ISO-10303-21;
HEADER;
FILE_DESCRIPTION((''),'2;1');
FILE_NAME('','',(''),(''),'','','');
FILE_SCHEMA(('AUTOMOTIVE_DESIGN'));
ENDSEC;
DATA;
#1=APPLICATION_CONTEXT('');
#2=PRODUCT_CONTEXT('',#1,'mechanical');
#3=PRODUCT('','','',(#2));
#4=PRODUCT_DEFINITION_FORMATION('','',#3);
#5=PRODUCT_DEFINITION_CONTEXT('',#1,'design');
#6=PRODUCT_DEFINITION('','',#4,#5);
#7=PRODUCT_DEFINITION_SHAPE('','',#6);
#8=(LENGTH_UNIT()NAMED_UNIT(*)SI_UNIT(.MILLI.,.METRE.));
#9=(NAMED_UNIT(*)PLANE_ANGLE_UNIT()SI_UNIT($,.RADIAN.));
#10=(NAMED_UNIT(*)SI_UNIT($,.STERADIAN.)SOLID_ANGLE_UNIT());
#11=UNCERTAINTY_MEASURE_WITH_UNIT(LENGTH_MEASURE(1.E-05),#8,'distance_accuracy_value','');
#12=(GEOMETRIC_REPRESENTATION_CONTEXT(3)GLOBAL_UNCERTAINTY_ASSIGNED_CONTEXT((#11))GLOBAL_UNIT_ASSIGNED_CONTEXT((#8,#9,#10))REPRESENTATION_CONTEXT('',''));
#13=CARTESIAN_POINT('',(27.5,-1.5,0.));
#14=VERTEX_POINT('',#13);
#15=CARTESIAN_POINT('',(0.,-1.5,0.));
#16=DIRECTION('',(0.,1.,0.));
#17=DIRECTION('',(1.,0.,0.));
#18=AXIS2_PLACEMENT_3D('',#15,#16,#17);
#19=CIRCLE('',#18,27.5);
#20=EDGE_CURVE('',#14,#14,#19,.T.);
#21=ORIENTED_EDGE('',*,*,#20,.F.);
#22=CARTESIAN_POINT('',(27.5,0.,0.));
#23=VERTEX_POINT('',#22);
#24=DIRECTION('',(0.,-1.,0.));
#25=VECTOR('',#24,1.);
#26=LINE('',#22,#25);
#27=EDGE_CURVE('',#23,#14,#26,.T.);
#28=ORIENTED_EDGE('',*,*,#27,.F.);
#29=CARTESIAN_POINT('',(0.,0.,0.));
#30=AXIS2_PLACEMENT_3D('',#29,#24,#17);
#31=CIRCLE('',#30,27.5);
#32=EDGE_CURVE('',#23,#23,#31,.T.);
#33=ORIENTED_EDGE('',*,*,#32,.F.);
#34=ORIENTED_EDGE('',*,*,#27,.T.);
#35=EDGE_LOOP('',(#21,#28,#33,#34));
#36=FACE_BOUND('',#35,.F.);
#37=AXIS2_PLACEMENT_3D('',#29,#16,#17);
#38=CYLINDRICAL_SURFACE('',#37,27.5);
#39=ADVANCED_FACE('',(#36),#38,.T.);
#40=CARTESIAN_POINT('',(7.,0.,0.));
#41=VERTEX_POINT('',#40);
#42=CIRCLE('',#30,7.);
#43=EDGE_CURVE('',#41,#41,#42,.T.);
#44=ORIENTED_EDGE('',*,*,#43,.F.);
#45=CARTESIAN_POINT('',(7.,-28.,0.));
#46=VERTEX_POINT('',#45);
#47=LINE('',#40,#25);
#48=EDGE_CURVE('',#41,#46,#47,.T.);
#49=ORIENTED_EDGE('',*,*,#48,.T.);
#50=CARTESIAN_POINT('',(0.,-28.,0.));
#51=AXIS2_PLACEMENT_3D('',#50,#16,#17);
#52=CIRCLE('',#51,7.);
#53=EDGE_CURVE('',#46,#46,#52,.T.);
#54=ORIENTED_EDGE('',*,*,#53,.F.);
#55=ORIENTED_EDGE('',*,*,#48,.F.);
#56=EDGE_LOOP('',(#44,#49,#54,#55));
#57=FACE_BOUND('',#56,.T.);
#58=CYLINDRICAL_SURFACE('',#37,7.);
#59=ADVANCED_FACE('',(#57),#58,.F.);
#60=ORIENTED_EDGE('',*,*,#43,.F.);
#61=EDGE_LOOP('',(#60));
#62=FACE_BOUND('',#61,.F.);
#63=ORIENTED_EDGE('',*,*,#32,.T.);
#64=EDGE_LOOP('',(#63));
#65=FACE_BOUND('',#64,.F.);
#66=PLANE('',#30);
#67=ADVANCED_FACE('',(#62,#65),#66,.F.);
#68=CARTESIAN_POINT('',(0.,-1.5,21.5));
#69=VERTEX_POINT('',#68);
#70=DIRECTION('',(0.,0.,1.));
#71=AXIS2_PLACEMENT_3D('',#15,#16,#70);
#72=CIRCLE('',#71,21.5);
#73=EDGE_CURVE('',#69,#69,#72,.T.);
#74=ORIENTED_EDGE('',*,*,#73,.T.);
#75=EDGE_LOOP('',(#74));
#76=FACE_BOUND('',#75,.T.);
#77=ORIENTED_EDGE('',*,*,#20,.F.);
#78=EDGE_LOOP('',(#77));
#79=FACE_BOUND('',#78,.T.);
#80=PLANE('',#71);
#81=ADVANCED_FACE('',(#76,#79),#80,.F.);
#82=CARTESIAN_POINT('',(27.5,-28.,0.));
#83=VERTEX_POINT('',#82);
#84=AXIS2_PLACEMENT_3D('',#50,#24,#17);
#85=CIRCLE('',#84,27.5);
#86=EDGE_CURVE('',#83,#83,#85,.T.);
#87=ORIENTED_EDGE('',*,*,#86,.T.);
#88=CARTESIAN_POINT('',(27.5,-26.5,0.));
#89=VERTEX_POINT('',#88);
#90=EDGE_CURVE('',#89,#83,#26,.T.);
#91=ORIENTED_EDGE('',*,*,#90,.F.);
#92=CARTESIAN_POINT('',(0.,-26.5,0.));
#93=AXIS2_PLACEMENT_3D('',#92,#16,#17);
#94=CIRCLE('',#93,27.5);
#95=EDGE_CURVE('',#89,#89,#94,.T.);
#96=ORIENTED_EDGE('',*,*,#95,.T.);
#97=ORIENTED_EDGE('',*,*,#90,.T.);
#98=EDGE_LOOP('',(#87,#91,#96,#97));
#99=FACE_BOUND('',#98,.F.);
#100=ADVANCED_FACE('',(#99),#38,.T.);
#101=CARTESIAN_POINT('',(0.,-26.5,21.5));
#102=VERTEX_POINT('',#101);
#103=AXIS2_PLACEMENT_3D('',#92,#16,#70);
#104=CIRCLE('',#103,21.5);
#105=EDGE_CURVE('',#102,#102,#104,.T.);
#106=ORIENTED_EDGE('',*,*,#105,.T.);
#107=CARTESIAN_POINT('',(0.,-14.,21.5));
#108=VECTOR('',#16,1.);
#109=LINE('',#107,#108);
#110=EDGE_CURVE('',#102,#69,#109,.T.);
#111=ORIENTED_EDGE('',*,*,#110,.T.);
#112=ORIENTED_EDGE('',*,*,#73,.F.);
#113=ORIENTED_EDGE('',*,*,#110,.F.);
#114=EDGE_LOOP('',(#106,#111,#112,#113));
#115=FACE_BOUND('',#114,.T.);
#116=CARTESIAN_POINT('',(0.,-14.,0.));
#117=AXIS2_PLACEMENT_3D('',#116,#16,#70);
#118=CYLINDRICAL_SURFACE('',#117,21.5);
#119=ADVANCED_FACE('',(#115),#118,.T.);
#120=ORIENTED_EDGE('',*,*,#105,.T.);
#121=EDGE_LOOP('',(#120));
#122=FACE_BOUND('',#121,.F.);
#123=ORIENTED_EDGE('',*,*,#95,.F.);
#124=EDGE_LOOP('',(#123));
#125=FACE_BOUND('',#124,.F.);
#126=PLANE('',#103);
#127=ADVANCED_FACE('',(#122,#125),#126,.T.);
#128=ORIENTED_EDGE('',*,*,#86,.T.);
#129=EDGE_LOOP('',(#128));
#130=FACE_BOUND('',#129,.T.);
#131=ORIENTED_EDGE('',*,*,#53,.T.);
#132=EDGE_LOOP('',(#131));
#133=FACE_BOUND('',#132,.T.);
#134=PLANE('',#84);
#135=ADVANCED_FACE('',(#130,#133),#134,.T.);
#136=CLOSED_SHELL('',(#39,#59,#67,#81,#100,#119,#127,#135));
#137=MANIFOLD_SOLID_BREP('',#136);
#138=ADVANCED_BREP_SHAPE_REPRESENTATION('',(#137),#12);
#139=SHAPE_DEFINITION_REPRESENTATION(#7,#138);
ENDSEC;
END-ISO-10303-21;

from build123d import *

# Parameters (mm, degrees)
F0_R     = 27.5
F1_DEPTH = 28
F2_W     = 25
F2_H     = 6
F4_R     = 7
F5_DEPTH = 28.001


with BuildPart() as f1:
    # F0 (on Front) → F1 (new body)
    with BuildSketch(Plane.XZ):
        Circle(F0_R)
    extrude(amount=F1_DEPTH)

    # F2 (on Right) → F3 (revolve, cut)
    with BuildSketch(Plane.YZ):
        with Locations((-14, 24.5)):
            Rectangle(F2_W, F2_H)
    revolve(axis=Axis((0, 0, 0), (0, 1, 0)), mode=Mode.SUBTRACT)

    # F4 (on Front) → F5 (cut, through all)
    with BuildSketch(Plane.XZ):
        Circle(F4_R)
    extrude(amount=F5_DEPTH, mode=Mode.SUBTRACT)


solid = f1.part
